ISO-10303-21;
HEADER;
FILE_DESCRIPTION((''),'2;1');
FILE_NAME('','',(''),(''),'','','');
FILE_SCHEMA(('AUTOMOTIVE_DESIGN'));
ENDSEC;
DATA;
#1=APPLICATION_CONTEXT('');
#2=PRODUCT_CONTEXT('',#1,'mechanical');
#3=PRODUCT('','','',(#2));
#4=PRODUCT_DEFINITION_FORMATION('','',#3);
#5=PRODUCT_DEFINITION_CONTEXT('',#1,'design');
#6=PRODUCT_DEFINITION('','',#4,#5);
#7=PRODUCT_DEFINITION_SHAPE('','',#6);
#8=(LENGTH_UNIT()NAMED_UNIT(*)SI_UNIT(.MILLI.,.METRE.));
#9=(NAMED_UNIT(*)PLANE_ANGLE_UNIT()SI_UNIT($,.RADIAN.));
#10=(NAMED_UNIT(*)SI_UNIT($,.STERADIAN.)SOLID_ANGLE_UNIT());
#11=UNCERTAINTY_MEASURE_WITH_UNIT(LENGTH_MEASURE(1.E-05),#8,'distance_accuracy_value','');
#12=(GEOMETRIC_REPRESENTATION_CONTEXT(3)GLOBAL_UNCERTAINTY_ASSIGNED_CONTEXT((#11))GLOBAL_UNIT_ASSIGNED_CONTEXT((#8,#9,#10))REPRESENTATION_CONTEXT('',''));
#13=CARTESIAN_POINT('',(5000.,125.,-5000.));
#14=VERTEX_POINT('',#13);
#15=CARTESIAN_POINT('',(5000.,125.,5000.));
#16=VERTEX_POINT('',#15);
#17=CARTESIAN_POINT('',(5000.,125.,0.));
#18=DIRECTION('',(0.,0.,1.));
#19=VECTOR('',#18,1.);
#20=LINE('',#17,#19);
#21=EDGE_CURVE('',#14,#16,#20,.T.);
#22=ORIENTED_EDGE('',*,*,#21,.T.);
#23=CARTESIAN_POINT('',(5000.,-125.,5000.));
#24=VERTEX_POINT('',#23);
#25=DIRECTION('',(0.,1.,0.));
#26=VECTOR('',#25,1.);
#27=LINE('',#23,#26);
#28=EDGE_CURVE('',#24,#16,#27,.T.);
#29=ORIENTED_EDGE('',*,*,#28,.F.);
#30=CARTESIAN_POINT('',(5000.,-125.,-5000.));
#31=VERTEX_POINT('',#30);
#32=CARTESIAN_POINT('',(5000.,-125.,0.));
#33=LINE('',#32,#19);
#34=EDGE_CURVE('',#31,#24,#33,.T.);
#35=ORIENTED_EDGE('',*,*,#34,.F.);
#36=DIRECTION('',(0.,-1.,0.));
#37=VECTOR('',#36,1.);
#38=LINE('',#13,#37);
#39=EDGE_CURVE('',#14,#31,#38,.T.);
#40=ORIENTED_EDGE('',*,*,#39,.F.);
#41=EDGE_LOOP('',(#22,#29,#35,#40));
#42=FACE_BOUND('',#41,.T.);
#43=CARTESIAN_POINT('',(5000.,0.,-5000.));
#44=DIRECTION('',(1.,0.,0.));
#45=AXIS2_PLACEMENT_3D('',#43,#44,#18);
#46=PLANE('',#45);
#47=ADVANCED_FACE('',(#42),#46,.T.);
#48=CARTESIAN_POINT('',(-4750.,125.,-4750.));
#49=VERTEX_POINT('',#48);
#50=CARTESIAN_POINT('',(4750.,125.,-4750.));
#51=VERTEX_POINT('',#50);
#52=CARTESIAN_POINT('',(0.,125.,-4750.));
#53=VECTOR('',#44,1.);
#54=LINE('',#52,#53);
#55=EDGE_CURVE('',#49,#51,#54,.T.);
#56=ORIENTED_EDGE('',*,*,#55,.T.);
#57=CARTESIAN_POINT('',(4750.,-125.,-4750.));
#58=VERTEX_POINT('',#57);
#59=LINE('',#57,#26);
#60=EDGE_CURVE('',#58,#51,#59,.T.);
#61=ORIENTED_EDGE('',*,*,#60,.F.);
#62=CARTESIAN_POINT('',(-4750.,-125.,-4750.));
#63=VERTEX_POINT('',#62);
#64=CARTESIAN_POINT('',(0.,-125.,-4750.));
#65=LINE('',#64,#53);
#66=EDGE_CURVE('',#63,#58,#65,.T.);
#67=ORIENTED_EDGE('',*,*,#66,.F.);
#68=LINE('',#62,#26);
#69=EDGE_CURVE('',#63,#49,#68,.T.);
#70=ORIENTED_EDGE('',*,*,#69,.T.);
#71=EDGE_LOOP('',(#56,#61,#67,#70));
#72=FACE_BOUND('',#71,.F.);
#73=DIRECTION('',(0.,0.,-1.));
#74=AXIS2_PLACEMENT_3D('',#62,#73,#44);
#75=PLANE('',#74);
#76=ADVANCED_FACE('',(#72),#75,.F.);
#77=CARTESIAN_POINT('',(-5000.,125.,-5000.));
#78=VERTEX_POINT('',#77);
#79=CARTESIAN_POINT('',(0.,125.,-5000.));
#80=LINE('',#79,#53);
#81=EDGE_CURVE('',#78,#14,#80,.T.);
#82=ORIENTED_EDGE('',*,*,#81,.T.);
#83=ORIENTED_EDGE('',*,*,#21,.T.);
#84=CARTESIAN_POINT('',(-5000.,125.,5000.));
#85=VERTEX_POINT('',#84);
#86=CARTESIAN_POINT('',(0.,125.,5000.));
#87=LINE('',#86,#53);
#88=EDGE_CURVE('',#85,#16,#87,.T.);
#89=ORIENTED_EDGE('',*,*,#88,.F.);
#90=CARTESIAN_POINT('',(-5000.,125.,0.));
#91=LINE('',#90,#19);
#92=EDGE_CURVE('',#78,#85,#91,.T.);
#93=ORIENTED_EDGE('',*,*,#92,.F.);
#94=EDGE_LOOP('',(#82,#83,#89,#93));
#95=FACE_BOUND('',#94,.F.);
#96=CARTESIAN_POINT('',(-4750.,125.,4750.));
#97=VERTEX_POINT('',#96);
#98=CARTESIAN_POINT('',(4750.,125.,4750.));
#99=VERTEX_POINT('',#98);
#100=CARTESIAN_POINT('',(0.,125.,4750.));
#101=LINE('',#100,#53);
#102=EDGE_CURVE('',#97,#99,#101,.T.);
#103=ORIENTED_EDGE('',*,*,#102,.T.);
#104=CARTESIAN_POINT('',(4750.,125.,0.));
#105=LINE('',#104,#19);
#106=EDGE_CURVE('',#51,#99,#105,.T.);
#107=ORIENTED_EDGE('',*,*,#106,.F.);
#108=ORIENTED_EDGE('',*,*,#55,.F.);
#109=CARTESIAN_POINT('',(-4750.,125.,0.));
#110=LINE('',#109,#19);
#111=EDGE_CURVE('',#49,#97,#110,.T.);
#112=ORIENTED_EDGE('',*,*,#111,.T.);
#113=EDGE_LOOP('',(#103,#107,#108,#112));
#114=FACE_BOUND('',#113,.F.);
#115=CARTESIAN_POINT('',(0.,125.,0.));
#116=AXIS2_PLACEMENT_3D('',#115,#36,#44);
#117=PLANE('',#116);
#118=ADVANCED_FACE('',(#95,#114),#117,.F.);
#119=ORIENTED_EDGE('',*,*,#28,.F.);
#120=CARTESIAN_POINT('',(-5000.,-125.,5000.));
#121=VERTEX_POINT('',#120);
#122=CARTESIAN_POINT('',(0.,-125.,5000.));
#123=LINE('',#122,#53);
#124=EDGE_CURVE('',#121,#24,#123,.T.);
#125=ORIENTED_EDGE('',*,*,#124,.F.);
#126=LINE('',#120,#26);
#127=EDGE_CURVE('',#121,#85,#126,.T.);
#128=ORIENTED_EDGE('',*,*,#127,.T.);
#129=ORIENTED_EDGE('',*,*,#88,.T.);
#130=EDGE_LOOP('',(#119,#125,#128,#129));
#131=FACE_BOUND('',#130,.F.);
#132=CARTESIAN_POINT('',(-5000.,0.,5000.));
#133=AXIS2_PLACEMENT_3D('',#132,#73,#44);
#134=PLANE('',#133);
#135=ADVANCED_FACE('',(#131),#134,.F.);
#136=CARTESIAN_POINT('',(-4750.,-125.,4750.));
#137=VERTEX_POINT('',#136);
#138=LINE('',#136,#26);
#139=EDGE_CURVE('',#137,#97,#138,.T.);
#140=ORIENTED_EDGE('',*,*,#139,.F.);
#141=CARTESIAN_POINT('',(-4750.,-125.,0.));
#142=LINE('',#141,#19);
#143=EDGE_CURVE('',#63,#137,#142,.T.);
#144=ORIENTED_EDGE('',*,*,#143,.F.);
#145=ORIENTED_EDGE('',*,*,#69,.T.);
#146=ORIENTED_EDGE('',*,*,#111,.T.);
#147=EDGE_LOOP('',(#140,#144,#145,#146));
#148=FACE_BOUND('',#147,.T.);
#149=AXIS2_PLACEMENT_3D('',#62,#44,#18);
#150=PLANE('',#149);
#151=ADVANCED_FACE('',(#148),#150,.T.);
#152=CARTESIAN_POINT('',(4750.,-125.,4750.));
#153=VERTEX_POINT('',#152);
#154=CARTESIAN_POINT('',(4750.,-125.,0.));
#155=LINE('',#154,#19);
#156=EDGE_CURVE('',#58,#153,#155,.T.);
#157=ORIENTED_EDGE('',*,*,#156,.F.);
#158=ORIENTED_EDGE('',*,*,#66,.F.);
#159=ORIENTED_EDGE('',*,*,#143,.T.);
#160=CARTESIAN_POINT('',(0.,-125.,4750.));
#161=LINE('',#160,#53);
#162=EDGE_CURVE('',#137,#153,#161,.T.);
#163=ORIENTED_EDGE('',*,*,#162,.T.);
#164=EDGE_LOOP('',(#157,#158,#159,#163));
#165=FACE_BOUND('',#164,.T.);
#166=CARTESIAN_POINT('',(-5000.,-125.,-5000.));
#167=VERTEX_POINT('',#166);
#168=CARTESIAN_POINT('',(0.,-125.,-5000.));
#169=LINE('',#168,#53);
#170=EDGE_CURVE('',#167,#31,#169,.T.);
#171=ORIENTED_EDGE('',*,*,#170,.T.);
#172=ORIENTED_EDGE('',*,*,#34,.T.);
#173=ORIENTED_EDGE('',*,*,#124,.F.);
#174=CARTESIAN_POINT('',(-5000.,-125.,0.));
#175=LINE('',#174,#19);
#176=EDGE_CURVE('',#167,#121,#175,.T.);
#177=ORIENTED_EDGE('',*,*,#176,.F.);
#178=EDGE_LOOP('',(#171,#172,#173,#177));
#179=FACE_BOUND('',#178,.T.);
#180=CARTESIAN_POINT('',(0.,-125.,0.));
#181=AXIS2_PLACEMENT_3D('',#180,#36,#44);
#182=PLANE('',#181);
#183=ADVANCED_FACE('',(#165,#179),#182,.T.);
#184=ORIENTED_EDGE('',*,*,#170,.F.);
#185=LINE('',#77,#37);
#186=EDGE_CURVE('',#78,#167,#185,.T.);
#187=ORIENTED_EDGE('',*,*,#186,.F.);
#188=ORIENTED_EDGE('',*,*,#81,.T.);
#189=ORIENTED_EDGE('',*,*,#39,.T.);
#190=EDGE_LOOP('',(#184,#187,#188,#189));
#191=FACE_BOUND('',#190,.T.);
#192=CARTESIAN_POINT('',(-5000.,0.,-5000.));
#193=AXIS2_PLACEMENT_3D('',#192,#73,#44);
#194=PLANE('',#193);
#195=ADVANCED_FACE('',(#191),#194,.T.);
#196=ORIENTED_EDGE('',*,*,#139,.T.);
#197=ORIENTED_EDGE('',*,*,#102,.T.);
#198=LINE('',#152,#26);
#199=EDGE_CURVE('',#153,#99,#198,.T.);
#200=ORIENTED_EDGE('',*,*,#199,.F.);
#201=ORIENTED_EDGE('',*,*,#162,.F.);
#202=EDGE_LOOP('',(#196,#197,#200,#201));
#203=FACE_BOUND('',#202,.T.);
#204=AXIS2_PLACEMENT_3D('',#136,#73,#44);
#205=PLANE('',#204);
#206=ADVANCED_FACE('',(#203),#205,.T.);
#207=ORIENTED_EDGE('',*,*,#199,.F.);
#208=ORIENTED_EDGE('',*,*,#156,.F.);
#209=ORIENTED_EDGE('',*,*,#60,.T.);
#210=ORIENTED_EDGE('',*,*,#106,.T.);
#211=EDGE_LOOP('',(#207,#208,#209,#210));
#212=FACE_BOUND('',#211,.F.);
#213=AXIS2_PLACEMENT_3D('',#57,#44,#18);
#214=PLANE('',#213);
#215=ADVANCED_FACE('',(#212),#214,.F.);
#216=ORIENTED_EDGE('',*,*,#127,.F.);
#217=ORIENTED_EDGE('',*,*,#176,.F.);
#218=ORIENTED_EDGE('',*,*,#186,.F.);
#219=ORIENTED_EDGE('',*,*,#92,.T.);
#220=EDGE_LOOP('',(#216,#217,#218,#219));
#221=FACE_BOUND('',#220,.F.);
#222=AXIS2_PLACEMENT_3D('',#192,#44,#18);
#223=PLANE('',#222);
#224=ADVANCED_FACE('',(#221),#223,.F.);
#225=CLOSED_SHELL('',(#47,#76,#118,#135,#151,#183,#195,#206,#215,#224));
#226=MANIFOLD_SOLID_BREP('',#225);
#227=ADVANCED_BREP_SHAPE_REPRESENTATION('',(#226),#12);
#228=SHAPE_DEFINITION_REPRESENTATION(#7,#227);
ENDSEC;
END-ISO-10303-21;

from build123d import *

# Parameters (mm, degrees)
F0_W     = 10000
F0_H     = 10000
F1_DEPTH = 125
F2_W     = 9500
F2_H     = 9500
F3_DEPTH = 250


with BuildPart() as f1:
    # F0 (on Front) → F1 (new body, symmetric)
    with BuildSketch(Plane.XZ):
        Rectangle(F0_W, F0_H)
    extrude(amount=F1_DEPTH, both=True)

    # F2 (on face) → F3 (cut, through all)
    with BuildSketch(Plane.XZ.offset(125)):
        Rectangle(F2_W, F2_H)
    extrude(amount=-F3_DEPTH, mode=Mode.SUBTRACT)


solid = f1.part
